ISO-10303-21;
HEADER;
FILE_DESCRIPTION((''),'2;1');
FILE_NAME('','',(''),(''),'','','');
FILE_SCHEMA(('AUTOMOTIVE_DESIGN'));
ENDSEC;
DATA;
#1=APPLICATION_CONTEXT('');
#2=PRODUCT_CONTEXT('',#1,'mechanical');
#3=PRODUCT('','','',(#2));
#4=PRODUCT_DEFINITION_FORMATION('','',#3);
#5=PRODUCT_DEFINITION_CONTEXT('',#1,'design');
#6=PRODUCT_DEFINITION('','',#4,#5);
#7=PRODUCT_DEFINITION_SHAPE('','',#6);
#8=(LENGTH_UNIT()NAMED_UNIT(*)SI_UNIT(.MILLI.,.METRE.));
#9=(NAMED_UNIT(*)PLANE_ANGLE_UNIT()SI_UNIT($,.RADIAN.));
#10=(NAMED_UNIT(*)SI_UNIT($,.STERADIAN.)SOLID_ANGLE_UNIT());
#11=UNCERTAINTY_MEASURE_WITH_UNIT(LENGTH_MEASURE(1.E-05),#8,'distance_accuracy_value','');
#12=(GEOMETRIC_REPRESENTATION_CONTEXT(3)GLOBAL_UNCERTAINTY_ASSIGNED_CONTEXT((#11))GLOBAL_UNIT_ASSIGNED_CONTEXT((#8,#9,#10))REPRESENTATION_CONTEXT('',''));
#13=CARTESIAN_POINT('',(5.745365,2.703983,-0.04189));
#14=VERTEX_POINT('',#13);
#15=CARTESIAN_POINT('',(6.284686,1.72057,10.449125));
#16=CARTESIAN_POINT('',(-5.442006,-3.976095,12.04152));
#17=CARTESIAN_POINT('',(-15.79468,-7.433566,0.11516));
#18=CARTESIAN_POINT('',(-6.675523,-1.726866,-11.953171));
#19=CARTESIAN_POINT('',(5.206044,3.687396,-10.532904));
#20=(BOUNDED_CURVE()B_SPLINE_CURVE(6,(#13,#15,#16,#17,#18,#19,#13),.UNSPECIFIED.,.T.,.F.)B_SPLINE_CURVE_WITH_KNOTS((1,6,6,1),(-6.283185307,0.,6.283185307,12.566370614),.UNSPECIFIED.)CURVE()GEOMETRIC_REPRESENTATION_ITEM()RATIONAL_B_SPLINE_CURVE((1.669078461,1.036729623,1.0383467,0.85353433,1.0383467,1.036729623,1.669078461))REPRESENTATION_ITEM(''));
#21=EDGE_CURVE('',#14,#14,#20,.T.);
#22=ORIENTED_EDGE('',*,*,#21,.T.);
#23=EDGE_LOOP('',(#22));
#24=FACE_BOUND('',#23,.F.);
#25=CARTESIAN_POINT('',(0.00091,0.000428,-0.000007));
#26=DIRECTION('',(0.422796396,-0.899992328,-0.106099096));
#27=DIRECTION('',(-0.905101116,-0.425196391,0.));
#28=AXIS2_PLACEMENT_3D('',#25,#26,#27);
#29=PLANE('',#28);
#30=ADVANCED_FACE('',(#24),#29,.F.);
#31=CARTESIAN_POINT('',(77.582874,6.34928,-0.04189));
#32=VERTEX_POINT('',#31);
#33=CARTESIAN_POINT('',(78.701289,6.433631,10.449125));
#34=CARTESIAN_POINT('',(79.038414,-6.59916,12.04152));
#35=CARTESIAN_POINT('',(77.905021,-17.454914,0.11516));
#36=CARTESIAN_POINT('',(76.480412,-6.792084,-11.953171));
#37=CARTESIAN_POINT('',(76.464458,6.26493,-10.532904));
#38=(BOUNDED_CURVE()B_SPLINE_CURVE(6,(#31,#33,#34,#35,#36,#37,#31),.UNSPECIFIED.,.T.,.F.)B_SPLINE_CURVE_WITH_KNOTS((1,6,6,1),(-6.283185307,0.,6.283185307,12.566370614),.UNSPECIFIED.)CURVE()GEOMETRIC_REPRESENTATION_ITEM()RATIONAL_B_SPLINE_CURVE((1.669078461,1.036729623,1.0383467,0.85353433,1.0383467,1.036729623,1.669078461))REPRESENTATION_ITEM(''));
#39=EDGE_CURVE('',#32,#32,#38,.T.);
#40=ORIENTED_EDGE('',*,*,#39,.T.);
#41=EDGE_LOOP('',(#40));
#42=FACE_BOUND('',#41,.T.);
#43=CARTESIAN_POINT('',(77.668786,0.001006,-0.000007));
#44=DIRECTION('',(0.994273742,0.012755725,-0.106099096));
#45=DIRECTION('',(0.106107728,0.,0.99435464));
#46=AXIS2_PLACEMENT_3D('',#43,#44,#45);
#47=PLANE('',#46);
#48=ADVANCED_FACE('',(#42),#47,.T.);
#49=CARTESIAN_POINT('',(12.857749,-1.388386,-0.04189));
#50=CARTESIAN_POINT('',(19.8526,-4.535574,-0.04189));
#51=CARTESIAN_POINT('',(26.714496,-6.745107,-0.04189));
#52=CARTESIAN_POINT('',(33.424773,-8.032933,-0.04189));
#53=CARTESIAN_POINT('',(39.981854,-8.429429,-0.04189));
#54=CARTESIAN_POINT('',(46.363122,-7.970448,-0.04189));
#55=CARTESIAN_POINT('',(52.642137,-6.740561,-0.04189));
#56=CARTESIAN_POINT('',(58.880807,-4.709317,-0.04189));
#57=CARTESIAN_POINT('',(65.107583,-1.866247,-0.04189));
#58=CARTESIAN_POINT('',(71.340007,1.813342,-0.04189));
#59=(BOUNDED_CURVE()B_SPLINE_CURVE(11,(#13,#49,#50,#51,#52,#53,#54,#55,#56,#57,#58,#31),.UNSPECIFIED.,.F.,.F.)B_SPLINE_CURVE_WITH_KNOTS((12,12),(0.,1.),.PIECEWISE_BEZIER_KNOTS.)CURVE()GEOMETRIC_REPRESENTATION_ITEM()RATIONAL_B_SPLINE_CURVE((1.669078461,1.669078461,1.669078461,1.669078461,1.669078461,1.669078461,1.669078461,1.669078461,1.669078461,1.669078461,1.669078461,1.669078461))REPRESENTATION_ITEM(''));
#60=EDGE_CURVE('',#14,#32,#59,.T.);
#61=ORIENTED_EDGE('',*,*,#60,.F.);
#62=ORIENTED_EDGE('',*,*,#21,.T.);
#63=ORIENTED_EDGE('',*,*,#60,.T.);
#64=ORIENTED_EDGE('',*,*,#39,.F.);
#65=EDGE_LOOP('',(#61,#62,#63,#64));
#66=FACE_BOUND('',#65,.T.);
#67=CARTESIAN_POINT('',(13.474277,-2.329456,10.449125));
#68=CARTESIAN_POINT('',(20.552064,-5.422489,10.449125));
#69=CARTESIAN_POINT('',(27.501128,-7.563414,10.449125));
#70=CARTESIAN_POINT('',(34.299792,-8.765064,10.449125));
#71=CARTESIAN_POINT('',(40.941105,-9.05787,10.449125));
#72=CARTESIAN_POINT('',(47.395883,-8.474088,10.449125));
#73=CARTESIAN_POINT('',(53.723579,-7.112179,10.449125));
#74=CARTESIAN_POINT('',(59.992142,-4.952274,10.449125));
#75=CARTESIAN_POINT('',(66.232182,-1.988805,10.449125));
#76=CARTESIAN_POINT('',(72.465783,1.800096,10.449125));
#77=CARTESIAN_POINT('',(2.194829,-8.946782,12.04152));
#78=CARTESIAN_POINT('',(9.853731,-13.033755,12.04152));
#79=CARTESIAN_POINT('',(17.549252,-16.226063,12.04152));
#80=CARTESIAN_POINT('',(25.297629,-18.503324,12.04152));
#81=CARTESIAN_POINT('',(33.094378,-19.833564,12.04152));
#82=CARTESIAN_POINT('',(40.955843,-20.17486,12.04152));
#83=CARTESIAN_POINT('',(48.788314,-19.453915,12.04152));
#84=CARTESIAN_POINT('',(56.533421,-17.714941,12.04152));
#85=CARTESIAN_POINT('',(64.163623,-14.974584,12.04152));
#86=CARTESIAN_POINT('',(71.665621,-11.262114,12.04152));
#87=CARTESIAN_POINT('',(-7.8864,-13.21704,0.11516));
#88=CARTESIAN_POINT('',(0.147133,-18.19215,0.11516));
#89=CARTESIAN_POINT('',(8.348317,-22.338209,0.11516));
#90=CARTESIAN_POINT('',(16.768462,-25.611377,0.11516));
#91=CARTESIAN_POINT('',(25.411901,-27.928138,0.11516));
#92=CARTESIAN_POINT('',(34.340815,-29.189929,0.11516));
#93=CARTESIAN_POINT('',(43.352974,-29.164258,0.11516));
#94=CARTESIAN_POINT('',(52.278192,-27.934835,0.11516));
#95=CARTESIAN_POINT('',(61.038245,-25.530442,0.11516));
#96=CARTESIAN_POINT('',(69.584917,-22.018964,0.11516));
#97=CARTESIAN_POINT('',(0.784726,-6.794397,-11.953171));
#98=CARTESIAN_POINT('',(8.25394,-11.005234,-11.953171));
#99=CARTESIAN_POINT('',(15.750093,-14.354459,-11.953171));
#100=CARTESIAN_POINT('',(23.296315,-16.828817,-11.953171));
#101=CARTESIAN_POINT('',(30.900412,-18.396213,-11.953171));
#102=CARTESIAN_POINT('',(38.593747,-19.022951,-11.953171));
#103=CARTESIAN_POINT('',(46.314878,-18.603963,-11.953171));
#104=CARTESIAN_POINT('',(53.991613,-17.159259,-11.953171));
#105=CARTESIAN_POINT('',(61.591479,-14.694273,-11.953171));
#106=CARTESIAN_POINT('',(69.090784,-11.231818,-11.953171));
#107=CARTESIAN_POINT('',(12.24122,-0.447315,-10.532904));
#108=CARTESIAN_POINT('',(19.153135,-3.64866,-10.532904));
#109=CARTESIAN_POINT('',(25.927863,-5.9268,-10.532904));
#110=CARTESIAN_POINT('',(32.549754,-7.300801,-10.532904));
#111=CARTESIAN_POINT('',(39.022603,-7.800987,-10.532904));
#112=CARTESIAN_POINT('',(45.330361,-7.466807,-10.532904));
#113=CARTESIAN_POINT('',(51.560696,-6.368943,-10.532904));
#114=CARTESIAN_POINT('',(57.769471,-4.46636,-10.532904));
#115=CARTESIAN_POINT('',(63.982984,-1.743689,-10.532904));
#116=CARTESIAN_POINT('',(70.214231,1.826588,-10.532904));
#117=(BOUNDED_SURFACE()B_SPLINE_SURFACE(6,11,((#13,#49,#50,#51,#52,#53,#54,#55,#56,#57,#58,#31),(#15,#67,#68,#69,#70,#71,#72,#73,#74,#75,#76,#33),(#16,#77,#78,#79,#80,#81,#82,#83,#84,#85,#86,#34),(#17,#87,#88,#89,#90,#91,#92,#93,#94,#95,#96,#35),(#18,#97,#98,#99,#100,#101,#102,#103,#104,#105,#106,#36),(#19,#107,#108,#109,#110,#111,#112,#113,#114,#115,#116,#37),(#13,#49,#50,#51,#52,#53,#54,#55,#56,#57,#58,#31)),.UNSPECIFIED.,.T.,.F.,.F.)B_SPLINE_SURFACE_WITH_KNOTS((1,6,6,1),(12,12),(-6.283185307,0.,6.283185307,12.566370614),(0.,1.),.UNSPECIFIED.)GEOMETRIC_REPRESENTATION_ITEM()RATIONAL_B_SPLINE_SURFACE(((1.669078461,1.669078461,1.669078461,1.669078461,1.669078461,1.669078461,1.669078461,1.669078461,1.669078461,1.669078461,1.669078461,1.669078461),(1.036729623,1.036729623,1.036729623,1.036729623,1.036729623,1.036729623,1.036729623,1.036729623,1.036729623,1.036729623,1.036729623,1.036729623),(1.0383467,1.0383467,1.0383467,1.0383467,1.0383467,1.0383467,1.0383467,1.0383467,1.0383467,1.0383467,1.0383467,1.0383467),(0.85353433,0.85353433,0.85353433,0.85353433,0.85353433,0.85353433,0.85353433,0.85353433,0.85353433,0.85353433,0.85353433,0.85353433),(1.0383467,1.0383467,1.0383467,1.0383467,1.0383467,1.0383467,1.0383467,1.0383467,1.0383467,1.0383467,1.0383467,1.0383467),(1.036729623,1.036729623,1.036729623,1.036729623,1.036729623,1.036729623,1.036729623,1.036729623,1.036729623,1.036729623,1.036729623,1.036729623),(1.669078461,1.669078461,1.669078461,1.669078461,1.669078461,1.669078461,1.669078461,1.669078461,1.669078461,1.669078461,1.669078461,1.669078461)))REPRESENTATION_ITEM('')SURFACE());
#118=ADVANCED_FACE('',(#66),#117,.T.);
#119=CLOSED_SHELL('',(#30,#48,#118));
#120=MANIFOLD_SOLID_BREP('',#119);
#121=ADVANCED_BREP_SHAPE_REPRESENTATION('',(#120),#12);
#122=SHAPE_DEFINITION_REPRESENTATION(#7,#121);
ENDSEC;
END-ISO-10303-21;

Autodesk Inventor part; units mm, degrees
ref_plane "YZ Plane" through (0, 0, 0) normal (1, 0, 0) x (0, 1, 0)
ref_plane "XZ Plane" through (0, 0, 0) normal (0, 1, 0) x (-1, 0, 0)
ref_plane "XY Plane" through (0, 0, 0) normal (0, 0, 1) x (1, 0, 0)
ref_plane "Work Plane1" through (0, 0, 0) normal (0.4228, -0.9, -0.1061) x (0.9048, 0.4258, -0.0066)
sketch "Sketch1" plane through (0, 0, 0) normal (0.4228, -0.9, -0.1061) x (0.9048, 0.4258, -0.0066)
  circle A0 centre (0, 0) radius 6.35
  dimension "d0" = 12.7
ref_plane "Work Plane2" through (77.6105, 0, 0) normal (-0.9062, -0.4199, -0.0495) x (-0.4228, 0.9, 0.1061)
sketch "Sketch2" plane through (77.6105, 0, 0) normal (-0.9062, -0.4199, -0.0495) x (-0.4228, 0.9, 0.1061)
  point P0 (32.8115, 0)
ref_plane "Work Plane3" through (0, 0, 0) normal (0, 0, 1) x (1, 0, 0)
sketch "Sketch3" plane through (0, 0, 0) normal (0, 0, 1) x (1, 0, 0)
  spline S0 degree 2 poles (0, 0) (40.2857, -24.9889) (77.6688, 0) knots 0 0 0 1 1 1
  point P0 (40.1611, -12.4914)
sweep "Sweep1" add profiles "Sketch1" path "Sketch3"
properties part number "Wire3"
